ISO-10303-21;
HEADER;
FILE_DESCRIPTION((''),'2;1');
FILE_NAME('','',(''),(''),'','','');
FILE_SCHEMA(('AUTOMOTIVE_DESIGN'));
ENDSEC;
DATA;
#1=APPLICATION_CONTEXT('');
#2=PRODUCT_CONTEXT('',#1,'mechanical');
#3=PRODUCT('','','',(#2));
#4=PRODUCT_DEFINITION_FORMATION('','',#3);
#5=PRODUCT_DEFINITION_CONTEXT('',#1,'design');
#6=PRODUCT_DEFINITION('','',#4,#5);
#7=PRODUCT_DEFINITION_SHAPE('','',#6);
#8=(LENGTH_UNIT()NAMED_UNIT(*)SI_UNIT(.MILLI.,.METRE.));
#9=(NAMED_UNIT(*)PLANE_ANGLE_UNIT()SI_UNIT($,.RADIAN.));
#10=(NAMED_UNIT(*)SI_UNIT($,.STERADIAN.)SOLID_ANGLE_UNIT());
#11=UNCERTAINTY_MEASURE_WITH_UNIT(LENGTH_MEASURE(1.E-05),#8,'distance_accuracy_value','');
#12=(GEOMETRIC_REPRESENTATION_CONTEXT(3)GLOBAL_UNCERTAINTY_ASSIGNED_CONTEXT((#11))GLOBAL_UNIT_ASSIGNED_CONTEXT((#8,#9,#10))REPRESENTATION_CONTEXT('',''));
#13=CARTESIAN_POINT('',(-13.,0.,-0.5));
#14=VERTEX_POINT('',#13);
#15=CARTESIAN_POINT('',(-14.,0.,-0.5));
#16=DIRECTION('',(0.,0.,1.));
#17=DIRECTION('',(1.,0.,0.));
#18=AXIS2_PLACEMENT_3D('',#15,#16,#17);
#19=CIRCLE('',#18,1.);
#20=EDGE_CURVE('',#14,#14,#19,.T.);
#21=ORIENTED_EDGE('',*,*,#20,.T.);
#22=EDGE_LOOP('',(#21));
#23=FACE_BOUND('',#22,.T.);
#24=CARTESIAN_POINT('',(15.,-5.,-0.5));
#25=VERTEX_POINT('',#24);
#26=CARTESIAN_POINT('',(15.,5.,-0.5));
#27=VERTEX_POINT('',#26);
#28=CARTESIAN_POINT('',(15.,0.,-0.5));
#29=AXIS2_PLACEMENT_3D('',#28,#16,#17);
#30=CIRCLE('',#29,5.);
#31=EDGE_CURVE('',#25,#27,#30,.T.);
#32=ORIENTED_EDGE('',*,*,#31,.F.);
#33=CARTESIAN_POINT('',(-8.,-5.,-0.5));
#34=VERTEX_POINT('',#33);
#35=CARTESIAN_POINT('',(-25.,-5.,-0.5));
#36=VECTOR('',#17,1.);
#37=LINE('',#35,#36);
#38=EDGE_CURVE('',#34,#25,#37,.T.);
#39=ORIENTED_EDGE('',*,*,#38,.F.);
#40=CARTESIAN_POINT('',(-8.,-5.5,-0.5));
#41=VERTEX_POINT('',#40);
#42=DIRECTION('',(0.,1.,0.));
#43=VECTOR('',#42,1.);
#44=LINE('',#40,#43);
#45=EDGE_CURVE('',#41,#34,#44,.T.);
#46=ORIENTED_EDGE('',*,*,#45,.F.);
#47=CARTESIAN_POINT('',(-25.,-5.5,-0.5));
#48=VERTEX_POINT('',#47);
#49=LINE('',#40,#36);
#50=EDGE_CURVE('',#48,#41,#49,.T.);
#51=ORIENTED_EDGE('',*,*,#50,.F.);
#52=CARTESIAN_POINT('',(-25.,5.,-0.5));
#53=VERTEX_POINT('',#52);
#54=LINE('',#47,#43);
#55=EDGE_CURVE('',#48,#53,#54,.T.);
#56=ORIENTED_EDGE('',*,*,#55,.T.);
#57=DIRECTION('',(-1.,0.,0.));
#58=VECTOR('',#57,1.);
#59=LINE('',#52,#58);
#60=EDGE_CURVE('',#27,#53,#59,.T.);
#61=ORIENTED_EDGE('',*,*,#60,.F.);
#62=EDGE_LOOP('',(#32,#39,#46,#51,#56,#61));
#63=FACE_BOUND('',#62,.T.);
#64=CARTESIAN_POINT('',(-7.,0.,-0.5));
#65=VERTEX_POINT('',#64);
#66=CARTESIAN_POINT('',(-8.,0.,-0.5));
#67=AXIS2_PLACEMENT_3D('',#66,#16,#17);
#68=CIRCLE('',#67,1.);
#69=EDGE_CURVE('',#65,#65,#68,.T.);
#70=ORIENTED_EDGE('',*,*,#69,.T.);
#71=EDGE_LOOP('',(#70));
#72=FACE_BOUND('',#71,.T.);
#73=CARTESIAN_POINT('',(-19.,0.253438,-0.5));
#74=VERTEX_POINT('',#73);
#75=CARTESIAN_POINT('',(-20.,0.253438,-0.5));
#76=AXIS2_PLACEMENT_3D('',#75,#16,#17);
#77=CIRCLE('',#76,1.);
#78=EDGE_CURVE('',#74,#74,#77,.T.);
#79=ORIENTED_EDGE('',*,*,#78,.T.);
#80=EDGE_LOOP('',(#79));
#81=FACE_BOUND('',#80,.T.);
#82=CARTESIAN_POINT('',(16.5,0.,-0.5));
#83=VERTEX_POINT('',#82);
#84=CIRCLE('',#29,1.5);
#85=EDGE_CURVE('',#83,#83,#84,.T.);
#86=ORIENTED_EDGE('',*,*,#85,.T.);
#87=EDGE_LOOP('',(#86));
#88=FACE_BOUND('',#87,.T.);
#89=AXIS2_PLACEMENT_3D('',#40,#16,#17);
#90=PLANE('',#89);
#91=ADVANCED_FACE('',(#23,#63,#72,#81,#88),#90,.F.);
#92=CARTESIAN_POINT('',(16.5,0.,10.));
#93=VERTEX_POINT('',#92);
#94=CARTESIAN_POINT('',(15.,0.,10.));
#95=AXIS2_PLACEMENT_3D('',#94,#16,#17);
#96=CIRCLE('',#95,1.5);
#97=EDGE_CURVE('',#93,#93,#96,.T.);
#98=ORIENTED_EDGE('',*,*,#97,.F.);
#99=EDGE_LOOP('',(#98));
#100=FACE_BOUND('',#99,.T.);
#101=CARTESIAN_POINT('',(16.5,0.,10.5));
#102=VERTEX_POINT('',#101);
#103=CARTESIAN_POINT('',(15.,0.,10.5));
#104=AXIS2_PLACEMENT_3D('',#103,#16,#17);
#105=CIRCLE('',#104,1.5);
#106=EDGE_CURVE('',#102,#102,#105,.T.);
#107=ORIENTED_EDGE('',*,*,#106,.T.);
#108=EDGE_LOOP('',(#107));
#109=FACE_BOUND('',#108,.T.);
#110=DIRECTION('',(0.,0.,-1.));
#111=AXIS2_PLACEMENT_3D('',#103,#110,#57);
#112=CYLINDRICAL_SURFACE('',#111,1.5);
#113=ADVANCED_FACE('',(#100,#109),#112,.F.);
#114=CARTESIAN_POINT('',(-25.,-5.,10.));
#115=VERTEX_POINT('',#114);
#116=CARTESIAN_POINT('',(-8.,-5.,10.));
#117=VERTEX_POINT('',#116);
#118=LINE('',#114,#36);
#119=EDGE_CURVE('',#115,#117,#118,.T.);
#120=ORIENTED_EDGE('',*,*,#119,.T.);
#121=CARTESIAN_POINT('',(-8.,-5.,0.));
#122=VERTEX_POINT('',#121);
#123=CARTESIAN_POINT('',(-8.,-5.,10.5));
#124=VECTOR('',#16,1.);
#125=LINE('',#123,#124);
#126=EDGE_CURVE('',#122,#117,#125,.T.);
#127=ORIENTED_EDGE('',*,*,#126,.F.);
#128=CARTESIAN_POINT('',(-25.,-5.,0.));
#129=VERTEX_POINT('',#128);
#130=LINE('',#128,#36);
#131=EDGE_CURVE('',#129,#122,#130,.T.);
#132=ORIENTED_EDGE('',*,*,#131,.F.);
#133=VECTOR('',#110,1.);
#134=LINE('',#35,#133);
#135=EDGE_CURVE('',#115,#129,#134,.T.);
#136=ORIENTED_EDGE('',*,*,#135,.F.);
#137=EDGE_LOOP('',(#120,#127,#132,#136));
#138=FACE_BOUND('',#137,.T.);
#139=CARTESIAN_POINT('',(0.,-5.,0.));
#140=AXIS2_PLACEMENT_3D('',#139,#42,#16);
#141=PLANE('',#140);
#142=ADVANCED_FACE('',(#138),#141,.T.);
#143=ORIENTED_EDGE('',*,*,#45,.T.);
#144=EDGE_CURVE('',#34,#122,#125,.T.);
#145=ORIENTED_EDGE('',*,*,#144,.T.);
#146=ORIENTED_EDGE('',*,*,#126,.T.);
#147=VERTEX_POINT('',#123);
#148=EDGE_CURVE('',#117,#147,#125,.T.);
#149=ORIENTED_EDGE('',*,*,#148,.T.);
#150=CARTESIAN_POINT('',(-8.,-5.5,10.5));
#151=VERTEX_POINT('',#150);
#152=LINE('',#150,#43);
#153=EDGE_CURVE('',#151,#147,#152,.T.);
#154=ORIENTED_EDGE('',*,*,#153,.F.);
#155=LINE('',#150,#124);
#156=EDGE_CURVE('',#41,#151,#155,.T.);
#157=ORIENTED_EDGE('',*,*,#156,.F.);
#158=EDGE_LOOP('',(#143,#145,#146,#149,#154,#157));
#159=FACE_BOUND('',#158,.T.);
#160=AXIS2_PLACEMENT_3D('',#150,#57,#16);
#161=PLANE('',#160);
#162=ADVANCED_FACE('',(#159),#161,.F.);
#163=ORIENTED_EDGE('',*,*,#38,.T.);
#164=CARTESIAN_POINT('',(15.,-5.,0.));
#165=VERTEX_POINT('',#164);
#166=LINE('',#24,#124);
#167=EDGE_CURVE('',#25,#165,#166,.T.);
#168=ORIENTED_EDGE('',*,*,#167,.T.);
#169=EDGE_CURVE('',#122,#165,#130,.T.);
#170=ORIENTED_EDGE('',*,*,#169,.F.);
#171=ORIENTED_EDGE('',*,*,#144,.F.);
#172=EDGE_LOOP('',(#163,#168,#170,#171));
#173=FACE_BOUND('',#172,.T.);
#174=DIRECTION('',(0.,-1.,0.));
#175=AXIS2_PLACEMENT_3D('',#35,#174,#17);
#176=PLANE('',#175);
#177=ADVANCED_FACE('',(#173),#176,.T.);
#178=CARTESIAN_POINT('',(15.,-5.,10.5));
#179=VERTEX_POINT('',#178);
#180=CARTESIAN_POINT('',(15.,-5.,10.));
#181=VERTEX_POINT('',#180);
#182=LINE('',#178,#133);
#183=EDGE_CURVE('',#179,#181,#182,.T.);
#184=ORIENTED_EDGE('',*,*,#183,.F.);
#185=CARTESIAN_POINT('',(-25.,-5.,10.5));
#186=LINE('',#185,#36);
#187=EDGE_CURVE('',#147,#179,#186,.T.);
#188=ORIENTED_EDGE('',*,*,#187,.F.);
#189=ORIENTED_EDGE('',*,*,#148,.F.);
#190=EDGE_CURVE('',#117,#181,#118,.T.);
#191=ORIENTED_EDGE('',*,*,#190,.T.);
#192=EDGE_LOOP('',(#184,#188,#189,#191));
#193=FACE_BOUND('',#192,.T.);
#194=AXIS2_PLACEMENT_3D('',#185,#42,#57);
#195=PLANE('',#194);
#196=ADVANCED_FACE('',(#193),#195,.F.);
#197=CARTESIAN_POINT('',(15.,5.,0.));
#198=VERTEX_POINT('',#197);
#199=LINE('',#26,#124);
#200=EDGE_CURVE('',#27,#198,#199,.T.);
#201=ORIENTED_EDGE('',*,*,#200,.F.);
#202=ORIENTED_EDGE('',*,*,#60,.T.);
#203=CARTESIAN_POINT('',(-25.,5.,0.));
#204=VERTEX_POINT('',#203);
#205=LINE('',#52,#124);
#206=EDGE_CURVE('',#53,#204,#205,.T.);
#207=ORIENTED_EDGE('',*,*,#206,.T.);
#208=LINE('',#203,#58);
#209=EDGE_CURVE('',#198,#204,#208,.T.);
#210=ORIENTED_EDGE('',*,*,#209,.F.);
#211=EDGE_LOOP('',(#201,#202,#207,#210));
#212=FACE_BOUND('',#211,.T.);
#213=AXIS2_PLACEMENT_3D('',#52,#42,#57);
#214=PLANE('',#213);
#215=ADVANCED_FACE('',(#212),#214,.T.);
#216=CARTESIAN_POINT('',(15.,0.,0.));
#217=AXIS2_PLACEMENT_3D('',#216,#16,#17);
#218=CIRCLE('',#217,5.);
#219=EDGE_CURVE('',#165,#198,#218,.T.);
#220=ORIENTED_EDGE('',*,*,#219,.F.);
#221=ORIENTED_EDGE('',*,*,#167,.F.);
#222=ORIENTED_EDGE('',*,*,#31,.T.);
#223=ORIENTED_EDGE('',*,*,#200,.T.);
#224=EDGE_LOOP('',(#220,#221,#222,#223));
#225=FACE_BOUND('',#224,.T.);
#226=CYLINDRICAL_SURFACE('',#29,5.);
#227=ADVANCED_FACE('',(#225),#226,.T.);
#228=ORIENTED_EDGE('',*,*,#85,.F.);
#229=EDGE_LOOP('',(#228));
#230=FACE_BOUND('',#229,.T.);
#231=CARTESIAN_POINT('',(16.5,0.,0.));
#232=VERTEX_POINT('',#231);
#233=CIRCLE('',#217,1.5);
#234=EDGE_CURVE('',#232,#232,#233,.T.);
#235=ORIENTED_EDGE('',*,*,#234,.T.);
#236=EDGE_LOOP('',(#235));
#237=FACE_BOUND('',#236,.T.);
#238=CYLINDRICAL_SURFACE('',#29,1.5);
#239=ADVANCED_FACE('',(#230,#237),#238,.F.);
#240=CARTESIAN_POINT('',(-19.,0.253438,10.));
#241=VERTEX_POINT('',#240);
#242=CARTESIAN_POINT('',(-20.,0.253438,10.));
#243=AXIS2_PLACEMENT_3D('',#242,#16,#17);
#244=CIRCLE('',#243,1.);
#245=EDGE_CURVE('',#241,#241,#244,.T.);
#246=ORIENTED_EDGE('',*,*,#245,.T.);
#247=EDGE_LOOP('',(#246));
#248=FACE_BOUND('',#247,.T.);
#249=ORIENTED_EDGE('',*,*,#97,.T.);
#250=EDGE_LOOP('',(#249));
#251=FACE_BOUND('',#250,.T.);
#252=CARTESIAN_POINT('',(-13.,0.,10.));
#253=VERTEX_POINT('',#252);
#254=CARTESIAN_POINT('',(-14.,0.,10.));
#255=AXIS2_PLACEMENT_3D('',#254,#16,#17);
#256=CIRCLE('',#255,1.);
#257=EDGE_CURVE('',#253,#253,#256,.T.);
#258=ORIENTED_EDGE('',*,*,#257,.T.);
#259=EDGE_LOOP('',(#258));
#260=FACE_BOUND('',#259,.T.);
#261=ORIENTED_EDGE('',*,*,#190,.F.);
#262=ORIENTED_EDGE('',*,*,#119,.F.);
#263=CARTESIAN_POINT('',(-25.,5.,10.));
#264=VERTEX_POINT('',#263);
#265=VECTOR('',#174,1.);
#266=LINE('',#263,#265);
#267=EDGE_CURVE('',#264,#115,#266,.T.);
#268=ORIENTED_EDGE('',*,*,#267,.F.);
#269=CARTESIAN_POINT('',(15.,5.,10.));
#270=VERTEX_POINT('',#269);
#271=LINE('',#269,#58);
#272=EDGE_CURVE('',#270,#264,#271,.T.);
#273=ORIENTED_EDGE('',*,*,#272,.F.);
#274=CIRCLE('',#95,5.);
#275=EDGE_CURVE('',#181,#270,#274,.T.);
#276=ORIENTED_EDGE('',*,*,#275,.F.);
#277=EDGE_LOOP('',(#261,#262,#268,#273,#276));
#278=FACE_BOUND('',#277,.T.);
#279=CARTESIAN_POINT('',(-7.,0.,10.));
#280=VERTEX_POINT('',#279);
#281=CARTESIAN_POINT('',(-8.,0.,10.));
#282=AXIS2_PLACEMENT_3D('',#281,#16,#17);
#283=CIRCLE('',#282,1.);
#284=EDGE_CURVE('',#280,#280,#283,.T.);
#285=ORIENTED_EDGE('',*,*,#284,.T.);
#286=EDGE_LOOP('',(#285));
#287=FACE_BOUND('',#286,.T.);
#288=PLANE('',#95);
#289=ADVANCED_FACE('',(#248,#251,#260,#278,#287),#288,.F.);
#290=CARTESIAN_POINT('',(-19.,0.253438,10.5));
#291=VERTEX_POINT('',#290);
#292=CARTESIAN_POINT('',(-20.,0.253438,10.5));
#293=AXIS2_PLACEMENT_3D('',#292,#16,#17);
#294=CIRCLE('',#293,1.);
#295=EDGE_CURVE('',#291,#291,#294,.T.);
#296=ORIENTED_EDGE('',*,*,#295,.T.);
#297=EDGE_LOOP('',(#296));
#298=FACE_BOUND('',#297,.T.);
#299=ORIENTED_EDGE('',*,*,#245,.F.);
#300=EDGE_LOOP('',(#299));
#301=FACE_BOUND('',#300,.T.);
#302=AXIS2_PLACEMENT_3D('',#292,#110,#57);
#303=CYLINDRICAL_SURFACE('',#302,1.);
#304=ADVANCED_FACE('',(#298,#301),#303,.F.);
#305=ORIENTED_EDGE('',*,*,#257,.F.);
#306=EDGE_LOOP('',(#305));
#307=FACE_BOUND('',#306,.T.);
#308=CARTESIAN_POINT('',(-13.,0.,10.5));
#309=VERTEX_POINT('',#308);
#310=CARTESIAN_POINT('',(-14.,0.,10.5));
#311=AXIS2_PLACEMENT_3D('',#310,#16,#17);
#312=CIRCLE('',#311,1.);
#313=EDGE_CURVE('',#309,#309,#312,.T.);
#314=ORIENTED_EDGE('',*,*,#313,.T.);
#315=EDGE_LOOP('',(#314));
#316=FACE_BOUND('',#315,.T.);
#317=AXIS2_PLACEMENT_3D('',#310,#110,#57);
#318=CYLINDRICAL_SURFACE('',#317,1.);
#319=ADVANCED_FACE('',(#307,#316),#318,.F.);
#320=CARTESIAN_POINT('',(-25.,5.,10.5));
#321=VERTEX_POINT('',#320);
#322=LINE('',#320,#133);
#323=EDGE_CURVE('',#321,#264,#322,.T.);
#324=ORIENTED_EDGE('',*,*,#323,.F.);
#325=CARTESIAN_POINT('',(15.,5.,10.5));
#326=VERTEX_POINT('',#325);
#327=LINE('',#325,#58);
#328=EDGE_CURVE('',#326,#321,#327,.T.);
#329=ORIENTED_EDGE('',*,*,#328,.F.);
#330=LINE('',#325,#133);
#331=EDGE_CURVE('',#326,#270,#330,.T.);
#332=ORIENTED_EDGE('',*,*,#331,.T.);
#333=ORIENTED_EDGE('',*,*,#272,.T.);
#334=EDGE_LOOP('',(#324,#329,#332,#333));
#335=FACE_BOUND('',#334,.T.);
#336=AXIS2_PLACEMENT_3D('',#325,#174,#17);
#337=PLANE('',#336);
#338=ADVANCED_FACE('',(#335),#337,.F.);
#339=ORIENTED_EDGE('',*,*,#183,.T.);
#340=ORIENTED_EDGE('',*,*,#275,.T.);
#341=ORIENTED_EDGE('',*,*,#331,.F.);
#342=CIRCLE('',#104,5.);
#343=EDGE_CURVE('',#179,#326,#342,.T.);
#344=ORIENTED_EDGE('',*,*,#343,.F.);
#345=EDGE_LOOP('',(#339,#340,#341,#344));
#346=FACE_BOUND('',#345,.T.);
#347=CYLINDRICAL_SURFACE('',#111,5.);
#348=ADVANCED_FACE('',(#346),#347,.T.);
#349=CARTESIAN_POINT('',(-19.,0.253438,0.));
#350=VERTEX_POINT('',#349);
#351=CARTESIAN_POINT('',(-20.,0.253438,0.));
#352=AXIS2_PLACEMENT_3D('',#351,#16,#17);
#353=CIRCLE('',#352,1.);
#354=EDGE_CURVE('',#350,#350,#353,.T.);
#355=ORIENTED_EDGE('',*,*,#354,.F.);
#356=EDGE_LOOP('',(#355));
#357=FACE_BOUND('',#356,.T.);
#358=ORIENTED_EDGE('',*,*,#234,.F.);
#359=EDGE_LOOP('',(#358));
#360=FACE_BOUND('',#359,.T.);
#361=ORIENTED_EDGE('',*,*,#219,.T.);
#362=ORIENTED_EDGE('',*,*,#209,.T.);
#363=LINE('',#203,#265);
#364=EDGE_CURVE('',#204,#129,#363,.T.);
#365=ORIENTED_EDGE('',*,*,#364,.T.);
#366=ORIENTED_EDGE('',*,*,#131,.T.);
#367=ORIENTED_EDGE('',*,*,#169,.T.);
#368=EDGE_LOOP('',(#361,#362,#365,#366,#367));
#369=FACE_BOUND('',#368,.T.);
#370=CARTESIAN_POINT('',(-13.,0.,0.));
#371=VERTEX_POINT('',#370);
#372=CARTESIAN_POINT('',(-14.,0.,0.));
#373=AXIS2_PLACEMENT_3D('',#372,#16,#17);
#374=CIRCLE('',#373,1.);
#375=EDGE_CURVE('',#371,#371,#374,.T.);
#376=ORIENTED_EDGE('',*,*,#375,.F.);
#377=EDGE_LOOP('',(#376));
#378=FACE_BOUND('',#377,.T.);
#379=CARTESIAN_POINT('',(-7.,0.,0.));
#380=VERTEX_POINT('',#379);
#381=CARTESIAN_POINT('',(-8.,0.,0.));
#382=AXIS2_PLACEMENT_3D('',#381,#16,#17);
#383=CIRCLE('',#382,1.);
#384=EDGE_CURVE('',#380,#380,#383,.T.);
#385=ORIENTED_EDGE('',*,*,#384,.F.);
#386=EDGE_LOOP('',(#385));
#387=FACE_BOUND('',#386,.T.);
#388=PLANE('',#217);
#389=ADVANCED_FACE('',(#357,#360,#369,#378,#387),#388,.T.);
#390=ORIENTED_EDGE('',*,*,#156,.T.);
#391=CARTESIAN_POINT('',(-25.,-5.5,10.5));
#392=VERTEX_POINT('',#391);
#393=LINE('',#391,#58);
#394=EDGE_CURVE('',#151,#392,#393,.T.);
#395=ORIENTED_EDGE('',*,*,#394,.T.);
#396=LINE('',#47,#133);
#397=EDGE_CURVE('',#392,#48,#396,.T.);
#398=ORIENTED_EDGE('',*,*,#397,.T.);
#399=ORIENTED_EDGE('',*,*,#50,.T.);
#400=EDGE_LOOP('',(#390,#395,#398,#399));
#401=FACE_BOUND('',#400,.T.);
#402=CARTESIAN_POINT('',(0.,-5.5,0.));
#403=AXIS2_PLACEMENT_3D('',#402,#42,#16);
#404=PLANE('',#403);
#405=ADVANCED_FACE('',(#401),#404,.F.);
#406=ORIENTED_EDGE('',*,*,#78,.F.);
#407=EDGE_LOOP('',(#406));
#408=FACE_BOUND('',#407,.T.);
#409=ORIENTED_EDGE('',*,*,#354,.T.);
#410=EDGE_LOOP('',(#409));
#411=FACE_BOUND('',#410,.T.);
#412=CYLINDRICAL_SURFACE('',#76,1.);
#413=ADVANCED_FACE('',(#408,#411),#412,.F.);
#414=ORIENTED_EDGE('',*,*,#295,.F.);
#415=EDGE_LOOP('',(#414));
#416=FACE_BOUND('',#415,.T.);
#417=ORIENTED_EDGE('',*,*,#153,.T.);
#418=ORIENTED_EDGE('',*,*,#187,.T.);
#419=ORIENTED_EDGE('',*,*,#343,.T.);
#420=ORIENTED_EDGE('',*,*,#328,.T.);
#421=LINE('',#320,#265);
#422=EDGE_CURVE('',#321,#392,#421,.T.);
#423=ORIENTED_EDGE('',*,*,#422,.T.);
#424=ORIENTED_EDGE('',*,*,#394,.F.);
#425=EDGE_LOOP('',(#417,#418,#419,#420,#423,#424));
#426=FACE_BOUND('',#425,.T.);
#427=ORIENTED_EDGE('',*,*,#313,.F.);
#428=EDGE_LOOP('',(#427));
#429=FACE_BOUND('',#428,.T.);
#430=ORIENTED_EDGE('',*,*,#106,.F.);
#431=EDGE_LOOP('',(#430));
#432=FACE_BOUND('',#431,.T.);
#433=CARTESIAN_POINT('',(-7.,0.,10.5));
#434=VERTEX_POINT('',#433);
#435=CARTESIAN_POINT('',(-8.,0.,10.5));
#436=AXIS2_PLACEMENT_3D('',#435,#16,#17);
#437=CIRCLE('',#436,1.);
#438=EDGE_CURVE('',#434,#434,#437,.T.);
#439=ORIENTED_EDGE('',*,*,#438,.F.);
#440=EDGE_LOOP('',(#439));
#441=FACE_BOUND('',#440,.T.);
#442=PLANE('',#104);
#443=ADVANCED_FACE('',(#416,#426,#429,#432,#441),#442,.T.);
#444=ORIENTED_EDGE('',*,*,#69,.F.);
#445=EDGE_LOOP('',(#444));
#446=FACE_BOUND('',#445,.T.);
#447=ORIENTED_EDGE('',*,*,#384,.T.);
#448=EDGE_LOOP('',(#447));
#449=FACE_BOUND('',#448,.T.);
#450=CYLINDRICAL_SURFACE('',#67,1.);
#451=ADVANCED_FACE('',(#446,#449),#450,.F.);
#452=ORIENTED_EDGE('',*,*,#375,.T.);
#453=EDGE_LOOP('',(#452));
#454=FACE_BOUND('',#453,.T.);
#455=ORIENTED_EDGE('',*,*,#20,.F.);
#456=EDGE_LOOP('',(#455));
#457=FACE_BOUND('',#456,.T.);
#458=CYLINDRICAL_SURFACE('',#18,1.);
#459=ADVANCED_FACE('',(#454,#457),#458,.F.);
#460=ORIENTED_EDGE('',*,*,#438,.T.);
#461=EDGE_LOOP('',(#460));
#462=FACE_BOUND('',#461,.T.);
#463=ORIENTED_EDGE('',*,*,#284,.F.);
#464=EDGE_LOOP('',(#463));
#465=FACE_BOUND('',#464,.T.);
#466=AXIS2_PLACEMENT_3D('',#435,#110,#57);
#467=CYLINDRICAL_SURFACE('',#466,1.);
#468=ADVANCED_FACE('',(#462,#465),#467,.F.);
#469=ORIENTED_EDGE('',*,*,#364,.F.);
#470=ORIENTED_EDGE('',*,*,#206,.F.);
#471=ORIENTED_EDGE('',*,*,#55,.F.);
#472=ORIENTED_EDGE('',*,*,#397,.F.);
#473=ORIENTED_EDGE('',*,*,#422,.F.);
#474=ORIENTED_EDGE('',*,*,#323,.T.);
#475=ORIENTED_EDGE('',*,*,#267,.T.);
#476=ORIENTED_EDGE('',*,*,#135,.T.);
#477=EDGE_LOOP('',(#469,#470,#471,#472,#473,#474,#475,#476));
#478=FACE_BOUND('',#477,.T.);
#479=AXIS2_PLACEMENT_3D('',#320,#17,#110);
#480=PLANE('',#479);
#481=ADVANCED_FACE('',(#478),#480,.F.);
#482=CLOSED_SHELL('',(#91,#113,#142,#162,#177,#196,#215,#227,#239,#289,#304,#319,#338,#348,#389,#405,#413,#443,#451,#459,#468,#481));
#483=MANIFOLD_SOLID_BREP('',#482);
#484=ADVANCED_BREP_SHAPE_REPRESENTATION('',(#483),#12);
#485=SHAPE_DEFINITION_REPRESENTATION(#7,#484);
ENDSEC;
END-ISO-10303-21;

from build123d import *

# Parameters (mm, degrees)
SKETCH_2_R      = 1.5
SKETCH_2_R_2    = 1
EXTRUDE_1_DEPTH = 0.5
SKETCH_1_R      = 1.5
SKETCH_1_R_2    = 1
EXTRUDE_2_DEPTH = 0.5
SKETCH_3_W      = 17
SKETCH_3_H      = 11
EXTRUDE_3_DEPTH = 0.5


with BuildPart() as part:
    # 草图2 → 凸台-拉伸1 (new body)
    with BuildSketch(Plane.XY.offset(10)):
        with BuildLine():
            Line((15, 5), (-25, 5))
            Line((-25, 5), (-25, -5))
            Line((-25, -5), (15, -5))
            ThreePointArc((15, -5), (20, 0), (15, 5))
        make_face()
        with Locations((15, 0)):
            Circle(SKETCH_2_R, mode=Mode.SUBTRACT)
        with Locations((-8, 0)):
            Circle(SKETCH_2_R_2, mode=Mode.SUBTRACT)
        with Locations((-14, 0)):
            Circle(SKETCH_2_R_2, mode=Mode.SUBTRACT)
        with Locations((-20, 0.253438211)):
            Circle(SKETCH_2_R_2, mode=Mode.SUBTRACT)
    extrude(amount=EXTRUDE_1_DEPTH)



with BuildPart() as body_2:
    # 草图1 → 凸台-拉伸2 (new body)
    with BuildSketch(Plane.XY):
        with BuildLine():
            Line((-25, 5), (15, 5))
            ThreePointArc((15, 5), (20, 0), (15, -5))
            Line((15, -5), (-25, -5))
            Line((-25, -5), (-25, 5))
        make_face()
        with Locations((15, 0)):
            Circle(SKETCH_1_R, mode=Mode.SUBTRACT)
        with Locations((-20, 0.253438211)):
            Circle(SKETCH_1_R_2, mode=Mode.SUBTRACT)
        with Locations((-14, 0)):
            Circle(SKETCH_1_R_2, mode=Mode.SUBTRACT)
        with Locations((-8, 0)):
            Circle(SKETCH_1_R_2, mode=Mode.SUBTRACT)
    extrude(amount=-EXTRUDE_2_DEPTH)


with BuildPart() as part_1:
    add(part.part)

    add(body_2.part)  # 凸台-拉伸3 merges body 2
    # 草图3 → 凸台-拉伸3 (add)
    with BuildSketch(Plane(origin=(0, -5, 0), x_dir=(-1, 0, 0), z_dir=(0, -1, 0))):
        with Locations((16.5, -5)):
            Rectangle(SKETCH_3_W, SKETCH_3_H)
    extrude(amount=EXTRUDE_3_DEPTH)


solid = part_1.part
